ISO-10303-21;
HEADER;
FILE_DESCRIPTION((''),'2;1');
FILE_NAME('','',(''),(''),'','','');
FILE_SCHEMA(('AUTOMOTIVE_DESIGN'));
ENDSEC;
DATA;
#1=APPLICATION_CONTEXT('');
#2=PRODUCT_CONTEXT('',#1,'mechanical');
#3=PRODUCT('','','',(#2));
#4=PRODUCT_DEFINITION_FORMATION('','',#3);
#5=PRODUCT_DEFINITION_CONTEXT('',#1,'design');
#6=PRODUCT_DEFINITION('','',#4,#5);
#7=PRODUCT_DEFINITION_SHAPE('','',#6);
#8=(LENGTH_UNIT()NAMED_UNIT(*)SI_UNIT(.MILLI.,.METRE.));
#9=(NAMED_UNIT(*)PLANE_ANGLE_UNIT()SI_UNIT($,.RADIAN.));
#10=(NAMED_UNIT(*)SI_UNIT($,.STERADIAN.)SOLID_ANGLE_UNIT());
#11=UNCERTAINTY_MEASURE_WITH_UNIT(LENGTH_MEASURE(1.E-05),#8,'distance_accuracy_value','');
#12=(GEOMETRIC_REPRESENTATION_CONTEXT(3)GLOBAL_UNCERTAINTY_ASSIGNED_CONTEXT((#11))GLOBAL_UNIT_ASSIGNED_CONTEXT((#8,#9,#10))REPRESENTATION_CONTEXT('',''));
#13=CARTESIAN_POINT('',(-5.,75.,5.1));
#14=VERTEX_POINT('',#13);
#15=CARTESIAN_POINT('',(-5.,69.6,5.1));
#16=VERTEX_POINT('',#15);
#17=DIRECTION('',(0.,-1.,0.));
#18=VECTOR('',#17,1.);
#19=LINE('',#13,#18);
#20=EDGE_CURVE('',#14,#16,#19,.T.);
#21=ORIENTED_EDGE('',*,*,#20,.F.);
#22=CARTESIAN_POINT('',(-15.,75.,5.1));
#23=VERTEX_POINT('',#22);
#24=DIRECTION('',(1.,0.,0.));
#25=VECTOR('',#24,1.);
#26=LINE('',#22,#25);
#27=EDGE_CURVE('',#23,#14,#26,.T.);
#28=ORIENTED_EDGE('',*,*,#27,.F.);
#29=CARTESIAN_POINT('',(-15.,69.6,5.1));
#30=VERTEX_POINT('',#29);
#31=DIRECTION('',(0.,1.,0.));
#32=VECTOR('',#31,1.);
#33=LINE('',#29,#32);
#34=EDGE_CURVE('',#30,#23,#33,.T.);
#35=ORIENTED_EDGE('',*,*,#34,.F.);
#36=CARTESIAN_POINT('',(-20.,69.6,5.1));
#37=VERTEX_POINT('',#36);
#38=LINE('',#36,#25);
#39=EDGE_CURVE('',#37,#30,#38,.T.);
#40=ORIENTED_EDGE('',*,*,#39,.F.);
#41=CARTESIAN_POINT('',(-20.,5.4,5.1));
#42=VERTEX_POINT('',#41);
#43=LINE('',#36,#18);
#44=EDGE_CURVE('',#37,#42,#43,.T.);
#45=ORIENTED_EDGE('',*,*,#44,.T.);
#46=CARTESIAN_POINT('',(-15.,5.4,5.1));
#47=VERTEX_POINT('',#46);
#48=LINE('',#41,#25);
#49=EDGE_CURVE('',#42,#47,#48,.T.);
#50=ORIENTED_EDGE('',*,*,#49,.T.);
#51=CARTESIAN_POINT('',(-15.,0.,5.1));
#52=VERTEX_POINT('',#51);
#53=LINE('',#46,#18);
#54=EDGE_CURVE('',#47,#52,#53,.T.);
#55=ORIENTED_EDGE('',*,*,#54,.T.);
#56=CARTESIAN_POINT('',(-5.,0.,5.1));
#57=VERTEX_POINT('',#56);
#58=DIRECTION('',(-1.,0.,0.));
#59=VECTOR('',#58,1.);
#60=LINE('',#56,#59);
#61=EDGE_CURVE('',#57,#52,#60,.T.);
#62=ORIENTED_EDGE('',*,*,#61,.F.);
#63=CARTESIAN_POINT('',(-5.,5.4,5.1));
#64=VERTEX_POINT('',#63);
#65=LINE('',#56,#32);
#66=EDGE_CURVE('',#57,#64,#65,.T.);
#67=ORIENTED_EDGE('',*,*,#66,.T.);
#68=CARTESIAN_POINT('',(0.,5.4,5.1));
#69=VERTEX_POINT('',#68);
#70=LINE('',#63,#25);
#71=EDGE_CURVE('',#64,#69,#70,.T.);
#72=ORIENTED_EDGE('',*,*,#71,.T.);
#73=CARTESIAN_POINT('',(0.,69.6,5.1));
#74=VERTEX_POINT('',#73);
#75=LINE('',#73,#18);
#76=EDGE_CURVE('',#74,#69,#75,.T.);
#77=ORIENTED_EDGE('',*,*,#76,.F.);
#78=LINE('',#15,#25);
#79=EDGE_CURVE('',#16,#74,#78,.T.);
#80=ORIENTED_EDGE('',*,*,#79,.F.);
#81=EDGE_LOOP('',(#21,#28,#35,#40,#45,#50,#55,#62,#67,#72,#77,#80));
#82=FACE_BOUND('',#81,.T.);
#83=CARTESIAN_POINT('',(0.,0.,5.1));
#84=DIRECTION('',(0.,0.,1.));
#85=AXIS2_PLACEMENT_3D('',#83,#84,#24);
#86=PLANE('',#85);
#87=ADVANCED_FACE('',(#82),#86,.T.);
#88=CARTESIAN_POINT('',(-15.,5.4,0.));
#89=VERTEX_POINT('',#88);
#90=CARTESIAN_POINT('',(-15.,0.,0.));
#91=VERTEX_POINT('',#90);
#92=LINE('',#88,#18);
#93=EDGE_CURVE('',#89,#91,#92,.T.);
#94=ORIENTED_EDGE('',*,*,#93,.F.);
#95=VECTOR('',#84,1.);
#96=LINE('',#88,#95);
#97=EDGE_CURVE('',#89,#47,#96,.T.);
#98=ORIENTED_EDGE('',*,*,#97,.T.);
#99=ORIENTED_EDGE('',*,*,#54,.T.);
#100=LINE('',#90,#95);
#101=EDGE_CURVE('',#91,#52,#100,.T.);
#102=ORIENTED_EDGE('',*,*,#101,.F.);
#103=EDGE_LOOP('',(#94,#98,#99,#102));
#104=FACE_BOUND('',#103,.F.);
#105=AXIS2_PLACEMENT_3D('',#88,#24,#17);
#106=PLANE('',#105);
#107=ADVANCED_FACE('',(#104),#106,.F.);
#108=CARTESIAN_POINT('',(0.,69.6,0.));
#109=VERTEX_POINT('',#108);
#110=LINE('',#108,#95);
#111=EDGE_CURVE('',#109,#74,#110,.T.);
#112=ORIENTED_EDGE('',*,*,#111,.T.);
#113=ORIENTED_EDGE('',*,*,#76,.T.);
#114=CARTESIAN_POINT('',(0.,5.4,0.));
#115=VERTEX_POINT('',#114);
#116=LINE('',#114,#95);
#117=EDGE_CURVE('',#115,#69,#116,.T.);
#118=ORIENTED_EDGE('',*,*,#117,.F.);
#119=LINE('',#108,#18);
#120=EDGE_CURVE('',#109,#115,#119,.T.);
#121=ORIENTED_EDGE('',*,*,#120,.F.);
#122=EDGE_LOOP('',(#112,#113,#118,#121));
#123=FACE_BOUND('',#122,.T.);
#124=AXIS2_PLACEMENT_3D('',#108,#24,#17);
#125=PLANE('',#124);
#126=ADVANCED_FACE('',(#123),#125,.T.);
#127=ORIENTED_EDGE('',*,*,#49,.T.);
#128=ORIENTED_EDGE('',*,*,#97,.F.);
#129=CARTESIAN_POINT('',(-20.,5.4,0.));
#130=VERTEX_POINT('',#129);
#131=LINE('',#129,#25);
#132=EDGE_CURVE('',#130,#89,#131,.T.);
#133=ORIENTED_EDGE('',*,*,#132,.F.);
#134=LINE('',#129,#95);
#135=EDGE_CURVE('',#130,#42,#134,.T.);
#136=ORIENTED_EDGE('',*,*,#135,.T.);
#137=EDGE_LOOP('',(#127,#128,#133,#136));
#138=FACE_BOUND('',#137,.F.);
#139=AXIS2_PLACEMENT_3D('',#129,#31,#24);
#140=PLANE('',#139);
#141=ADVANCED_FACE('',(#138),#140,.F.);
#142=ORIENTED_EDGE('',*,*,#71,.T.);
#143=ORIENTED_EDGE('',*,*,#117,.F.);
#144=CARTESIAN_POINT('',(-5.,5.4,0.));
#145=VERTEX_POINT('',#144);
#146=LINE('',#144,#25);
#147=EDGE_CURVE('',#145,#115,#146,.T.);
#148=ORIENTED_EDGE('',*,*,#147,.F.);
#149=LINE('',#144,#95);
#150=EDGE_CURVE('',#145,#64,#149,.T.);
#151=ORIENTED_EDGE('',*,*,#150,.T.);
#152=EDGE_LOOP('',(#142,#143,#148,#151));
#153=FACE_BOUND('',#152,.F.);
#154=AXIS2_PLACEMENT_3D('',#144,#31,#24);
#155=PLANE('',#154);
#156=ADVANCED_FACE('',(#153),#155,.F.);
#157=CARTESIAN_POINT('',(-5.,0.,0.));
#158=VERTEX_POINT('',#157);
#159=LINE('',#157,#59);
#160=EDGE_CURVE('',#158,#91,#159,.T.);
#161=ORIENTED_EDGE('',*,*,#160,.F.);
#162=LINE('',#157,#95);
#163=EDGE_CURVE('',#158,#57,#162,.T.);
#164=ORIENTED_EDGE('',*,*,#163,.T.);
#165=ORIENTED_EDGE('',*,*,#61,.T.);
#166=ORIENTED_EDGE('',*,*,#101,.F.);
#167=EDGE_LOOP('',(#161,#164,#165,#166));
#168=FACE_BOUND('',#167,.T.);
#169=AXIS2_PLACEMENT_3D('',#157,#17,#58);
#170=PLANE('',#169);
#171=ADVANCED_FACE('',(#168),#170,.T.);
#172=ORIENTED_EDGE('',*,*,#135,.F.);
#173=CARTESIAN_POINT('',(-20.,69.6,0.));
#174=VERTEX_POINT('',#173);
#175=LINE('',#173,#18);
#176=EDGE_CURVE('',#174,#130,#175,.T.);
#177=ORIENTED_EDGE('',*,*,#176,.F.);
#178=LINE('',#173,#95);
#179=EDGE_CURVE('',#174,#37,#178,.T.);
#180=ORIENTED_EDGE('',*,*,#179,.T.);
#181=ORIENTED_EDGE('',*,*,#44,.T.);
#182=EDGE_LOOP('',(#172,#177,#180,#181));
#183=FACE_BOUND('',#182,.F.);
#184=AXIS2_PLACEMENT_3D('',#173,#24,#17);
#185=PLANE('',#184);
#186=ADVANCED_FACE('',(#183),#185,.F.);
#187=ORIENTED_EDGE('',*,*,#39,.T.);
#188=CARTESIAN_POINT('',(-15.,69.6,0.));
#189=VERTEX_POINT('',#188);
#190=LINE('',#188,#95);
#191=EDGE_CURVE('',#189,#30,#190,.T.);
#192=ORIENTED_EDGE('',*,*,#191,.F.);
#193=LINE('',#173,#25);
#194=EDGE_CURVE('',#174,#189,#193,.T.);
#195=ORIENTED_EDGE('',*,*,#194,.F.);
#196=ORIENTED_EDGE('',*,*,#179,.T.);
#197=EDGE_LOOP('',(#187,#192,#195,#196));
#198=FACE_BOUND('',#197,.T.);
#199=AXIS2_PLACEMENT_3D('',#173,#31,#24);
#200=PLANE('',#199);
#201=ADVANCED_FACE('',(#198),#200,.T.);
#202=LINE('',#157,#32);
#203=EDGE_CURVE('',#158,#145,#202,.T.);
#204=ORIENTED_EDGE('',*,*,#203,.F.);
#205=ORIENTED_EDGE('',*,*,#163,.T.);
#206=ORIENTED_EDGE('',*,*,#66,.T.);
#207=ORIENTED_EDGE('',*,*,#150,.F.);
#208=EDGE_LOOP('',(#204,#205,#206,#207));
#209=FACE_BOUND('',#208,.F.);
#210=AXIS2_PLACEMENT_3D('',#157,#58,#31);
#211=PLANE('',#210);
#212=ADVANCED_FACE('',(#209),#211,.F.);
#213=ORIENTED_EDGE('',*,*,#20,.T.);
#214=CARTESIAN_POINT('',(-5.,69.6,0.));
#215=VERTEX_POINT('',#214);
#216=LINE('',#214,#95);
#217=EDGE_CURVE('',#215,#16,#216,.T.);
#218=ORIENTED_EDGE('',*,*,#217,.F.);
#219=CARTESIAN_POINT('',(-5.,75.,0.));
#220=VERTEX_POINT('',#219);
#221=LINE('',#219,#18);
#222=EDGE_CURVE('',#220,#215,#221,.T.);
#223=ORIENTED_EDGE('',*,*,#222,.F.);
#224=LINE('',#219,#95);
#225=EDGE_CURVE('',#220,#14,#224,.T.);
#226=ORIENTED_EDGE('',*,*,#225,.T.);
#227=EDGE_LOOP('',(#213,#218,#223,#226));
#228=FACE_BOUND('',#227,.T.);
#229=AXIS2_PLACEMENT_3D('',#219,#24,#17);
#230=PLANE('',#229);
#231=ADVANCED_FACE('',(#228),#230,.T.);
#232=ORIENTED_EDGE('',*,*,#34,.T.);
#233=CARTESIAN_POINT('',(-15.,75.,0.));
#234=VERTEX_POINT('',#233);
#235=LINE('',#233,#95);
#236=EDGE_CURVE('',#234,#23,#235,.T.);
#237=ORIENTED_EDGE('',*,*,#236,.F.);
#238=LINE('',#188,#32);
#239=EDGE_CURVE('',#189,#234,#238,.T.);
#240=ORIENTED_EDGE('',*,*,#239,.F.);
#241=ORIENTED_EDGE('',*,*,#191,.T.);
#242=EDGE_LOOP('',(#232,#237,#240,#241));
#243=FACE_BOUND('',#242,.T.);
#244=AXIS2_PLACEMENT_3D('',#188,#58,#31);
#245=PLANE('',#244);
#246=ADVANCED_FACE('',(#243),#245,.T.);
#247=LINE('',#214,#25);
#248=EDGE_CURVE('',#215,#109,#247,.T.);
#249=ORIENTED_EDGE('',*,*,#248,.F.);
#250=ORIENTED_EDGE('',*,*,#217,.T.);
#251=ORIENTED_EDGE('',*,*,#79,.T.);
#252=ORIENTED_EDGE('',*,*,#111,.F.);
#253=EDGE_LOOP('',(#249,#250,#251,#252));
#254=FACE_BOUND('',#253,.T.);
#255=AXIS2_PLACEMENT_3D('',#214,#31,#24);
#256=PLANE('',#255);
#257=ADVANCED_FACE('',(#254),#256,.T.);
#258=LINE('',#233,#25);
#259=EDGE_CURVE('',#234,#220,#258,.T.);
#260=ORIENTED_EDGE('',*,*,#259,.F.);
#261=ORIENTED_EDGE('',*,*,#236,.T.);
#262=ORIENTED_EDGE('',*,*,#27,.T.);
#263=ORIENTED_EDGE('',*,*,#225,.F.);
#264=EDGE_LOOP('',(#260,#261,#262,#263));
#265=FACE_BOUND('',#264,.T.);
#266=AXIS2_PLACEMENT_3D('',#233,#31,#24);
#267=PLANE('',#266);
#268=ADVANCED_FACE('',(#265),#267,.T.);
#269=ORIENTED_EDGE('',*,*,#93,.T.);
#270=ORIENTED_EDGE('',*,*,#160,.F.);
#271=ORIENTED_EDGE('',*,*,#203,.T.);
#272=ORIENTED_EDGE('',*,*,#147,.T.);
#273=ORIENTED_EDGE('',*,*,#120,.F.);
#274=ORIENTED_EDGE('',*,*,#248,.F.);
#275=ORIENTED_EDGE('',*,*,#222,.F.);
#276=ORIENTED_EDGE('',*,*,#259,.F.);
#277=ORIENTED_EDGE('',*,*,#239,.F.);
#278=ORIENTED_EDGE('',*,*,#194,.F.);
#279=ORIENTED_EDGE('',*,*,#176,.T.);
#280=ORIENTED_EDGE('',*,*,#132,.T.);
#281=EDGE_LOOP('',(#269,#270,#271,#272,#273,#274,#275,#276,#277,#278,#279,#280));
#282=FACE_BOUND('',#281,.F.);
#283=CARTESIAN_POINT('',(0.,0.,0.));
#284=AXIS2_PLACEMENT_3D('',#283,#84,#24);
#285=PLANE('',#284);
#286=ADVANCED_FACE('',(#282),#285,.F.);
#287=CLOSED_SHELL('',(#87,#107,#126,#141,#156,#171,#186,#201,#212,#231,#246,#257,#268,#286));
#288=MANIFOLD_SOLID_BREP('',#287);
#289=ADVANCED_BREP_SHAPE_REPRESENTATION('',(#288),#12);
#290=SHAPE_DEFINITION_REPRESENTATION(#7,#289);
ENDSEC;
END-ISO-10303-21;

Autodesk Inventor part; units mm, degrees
ref_plane "YZ Plane" through (0, 0, 0) normal (1, 0, 0) x (0, 1, 0)
ref_plane "XZ Plane" through (0, 0, 0) normal (0, 1, 0) x (-1, 0, 0)
ref_plane "XY Plane" through (0, 0, 0) normal (0, 0, 1) x (1, 0, 0)
sketch "Sketch1" plane through (0, 0, 0) normal (0, 0, 1) x (1, 0, 0)
  line L0 (-5, 0) -> (-15, 0)
  line L1 (0, 69.6) -> (0, 5.4)
  line L2 (-20, 69.6) -> (-15, 69.6)
  line L3 (-15, 69.6) -> (-15, 75)
  line L4 (-15, 75) -> (-5, 75)
  line L5 (-5, 75) -> (-5, 69.6)
  line L6 (-5, 69.6) -> (0, 69.6)
  line L7 (-20, 69.6) -> (-20, 5.4)
  line L8 (-33.5059, 37.5) -> (28.6697, 37.5) construction
  line L9 (0, 5.4) -> (0, 69.6)
  line L10 (-20, 5.4) -> (-15, 5.4)
  line L11 (-15, 5.4) -> (-15, 0)
  line L12 (-15, 0) -> (-5, 0)
  line L13 (-5, 0) -> (-5, 5.4)
  line L14 (-5, 5.4) -> (0, 5.4)
  line L15 (-20, 5.4) -> (-20, 69.6)
  point P0 (0, 0)
  dimension "d3" = 10
  dimension "d4" = 75
  dimension "d5" = 5.4
  dimension "d6" = 37.5
  dimension "d7" = 20
  dimension "d8" = 20
  dimension "d9" = 5
extrude "Extrusion1" add sketch "Sketch1" along normal blind 5.1
properties part number "custom standoffs" material "Polycarbonate, Smoke"
